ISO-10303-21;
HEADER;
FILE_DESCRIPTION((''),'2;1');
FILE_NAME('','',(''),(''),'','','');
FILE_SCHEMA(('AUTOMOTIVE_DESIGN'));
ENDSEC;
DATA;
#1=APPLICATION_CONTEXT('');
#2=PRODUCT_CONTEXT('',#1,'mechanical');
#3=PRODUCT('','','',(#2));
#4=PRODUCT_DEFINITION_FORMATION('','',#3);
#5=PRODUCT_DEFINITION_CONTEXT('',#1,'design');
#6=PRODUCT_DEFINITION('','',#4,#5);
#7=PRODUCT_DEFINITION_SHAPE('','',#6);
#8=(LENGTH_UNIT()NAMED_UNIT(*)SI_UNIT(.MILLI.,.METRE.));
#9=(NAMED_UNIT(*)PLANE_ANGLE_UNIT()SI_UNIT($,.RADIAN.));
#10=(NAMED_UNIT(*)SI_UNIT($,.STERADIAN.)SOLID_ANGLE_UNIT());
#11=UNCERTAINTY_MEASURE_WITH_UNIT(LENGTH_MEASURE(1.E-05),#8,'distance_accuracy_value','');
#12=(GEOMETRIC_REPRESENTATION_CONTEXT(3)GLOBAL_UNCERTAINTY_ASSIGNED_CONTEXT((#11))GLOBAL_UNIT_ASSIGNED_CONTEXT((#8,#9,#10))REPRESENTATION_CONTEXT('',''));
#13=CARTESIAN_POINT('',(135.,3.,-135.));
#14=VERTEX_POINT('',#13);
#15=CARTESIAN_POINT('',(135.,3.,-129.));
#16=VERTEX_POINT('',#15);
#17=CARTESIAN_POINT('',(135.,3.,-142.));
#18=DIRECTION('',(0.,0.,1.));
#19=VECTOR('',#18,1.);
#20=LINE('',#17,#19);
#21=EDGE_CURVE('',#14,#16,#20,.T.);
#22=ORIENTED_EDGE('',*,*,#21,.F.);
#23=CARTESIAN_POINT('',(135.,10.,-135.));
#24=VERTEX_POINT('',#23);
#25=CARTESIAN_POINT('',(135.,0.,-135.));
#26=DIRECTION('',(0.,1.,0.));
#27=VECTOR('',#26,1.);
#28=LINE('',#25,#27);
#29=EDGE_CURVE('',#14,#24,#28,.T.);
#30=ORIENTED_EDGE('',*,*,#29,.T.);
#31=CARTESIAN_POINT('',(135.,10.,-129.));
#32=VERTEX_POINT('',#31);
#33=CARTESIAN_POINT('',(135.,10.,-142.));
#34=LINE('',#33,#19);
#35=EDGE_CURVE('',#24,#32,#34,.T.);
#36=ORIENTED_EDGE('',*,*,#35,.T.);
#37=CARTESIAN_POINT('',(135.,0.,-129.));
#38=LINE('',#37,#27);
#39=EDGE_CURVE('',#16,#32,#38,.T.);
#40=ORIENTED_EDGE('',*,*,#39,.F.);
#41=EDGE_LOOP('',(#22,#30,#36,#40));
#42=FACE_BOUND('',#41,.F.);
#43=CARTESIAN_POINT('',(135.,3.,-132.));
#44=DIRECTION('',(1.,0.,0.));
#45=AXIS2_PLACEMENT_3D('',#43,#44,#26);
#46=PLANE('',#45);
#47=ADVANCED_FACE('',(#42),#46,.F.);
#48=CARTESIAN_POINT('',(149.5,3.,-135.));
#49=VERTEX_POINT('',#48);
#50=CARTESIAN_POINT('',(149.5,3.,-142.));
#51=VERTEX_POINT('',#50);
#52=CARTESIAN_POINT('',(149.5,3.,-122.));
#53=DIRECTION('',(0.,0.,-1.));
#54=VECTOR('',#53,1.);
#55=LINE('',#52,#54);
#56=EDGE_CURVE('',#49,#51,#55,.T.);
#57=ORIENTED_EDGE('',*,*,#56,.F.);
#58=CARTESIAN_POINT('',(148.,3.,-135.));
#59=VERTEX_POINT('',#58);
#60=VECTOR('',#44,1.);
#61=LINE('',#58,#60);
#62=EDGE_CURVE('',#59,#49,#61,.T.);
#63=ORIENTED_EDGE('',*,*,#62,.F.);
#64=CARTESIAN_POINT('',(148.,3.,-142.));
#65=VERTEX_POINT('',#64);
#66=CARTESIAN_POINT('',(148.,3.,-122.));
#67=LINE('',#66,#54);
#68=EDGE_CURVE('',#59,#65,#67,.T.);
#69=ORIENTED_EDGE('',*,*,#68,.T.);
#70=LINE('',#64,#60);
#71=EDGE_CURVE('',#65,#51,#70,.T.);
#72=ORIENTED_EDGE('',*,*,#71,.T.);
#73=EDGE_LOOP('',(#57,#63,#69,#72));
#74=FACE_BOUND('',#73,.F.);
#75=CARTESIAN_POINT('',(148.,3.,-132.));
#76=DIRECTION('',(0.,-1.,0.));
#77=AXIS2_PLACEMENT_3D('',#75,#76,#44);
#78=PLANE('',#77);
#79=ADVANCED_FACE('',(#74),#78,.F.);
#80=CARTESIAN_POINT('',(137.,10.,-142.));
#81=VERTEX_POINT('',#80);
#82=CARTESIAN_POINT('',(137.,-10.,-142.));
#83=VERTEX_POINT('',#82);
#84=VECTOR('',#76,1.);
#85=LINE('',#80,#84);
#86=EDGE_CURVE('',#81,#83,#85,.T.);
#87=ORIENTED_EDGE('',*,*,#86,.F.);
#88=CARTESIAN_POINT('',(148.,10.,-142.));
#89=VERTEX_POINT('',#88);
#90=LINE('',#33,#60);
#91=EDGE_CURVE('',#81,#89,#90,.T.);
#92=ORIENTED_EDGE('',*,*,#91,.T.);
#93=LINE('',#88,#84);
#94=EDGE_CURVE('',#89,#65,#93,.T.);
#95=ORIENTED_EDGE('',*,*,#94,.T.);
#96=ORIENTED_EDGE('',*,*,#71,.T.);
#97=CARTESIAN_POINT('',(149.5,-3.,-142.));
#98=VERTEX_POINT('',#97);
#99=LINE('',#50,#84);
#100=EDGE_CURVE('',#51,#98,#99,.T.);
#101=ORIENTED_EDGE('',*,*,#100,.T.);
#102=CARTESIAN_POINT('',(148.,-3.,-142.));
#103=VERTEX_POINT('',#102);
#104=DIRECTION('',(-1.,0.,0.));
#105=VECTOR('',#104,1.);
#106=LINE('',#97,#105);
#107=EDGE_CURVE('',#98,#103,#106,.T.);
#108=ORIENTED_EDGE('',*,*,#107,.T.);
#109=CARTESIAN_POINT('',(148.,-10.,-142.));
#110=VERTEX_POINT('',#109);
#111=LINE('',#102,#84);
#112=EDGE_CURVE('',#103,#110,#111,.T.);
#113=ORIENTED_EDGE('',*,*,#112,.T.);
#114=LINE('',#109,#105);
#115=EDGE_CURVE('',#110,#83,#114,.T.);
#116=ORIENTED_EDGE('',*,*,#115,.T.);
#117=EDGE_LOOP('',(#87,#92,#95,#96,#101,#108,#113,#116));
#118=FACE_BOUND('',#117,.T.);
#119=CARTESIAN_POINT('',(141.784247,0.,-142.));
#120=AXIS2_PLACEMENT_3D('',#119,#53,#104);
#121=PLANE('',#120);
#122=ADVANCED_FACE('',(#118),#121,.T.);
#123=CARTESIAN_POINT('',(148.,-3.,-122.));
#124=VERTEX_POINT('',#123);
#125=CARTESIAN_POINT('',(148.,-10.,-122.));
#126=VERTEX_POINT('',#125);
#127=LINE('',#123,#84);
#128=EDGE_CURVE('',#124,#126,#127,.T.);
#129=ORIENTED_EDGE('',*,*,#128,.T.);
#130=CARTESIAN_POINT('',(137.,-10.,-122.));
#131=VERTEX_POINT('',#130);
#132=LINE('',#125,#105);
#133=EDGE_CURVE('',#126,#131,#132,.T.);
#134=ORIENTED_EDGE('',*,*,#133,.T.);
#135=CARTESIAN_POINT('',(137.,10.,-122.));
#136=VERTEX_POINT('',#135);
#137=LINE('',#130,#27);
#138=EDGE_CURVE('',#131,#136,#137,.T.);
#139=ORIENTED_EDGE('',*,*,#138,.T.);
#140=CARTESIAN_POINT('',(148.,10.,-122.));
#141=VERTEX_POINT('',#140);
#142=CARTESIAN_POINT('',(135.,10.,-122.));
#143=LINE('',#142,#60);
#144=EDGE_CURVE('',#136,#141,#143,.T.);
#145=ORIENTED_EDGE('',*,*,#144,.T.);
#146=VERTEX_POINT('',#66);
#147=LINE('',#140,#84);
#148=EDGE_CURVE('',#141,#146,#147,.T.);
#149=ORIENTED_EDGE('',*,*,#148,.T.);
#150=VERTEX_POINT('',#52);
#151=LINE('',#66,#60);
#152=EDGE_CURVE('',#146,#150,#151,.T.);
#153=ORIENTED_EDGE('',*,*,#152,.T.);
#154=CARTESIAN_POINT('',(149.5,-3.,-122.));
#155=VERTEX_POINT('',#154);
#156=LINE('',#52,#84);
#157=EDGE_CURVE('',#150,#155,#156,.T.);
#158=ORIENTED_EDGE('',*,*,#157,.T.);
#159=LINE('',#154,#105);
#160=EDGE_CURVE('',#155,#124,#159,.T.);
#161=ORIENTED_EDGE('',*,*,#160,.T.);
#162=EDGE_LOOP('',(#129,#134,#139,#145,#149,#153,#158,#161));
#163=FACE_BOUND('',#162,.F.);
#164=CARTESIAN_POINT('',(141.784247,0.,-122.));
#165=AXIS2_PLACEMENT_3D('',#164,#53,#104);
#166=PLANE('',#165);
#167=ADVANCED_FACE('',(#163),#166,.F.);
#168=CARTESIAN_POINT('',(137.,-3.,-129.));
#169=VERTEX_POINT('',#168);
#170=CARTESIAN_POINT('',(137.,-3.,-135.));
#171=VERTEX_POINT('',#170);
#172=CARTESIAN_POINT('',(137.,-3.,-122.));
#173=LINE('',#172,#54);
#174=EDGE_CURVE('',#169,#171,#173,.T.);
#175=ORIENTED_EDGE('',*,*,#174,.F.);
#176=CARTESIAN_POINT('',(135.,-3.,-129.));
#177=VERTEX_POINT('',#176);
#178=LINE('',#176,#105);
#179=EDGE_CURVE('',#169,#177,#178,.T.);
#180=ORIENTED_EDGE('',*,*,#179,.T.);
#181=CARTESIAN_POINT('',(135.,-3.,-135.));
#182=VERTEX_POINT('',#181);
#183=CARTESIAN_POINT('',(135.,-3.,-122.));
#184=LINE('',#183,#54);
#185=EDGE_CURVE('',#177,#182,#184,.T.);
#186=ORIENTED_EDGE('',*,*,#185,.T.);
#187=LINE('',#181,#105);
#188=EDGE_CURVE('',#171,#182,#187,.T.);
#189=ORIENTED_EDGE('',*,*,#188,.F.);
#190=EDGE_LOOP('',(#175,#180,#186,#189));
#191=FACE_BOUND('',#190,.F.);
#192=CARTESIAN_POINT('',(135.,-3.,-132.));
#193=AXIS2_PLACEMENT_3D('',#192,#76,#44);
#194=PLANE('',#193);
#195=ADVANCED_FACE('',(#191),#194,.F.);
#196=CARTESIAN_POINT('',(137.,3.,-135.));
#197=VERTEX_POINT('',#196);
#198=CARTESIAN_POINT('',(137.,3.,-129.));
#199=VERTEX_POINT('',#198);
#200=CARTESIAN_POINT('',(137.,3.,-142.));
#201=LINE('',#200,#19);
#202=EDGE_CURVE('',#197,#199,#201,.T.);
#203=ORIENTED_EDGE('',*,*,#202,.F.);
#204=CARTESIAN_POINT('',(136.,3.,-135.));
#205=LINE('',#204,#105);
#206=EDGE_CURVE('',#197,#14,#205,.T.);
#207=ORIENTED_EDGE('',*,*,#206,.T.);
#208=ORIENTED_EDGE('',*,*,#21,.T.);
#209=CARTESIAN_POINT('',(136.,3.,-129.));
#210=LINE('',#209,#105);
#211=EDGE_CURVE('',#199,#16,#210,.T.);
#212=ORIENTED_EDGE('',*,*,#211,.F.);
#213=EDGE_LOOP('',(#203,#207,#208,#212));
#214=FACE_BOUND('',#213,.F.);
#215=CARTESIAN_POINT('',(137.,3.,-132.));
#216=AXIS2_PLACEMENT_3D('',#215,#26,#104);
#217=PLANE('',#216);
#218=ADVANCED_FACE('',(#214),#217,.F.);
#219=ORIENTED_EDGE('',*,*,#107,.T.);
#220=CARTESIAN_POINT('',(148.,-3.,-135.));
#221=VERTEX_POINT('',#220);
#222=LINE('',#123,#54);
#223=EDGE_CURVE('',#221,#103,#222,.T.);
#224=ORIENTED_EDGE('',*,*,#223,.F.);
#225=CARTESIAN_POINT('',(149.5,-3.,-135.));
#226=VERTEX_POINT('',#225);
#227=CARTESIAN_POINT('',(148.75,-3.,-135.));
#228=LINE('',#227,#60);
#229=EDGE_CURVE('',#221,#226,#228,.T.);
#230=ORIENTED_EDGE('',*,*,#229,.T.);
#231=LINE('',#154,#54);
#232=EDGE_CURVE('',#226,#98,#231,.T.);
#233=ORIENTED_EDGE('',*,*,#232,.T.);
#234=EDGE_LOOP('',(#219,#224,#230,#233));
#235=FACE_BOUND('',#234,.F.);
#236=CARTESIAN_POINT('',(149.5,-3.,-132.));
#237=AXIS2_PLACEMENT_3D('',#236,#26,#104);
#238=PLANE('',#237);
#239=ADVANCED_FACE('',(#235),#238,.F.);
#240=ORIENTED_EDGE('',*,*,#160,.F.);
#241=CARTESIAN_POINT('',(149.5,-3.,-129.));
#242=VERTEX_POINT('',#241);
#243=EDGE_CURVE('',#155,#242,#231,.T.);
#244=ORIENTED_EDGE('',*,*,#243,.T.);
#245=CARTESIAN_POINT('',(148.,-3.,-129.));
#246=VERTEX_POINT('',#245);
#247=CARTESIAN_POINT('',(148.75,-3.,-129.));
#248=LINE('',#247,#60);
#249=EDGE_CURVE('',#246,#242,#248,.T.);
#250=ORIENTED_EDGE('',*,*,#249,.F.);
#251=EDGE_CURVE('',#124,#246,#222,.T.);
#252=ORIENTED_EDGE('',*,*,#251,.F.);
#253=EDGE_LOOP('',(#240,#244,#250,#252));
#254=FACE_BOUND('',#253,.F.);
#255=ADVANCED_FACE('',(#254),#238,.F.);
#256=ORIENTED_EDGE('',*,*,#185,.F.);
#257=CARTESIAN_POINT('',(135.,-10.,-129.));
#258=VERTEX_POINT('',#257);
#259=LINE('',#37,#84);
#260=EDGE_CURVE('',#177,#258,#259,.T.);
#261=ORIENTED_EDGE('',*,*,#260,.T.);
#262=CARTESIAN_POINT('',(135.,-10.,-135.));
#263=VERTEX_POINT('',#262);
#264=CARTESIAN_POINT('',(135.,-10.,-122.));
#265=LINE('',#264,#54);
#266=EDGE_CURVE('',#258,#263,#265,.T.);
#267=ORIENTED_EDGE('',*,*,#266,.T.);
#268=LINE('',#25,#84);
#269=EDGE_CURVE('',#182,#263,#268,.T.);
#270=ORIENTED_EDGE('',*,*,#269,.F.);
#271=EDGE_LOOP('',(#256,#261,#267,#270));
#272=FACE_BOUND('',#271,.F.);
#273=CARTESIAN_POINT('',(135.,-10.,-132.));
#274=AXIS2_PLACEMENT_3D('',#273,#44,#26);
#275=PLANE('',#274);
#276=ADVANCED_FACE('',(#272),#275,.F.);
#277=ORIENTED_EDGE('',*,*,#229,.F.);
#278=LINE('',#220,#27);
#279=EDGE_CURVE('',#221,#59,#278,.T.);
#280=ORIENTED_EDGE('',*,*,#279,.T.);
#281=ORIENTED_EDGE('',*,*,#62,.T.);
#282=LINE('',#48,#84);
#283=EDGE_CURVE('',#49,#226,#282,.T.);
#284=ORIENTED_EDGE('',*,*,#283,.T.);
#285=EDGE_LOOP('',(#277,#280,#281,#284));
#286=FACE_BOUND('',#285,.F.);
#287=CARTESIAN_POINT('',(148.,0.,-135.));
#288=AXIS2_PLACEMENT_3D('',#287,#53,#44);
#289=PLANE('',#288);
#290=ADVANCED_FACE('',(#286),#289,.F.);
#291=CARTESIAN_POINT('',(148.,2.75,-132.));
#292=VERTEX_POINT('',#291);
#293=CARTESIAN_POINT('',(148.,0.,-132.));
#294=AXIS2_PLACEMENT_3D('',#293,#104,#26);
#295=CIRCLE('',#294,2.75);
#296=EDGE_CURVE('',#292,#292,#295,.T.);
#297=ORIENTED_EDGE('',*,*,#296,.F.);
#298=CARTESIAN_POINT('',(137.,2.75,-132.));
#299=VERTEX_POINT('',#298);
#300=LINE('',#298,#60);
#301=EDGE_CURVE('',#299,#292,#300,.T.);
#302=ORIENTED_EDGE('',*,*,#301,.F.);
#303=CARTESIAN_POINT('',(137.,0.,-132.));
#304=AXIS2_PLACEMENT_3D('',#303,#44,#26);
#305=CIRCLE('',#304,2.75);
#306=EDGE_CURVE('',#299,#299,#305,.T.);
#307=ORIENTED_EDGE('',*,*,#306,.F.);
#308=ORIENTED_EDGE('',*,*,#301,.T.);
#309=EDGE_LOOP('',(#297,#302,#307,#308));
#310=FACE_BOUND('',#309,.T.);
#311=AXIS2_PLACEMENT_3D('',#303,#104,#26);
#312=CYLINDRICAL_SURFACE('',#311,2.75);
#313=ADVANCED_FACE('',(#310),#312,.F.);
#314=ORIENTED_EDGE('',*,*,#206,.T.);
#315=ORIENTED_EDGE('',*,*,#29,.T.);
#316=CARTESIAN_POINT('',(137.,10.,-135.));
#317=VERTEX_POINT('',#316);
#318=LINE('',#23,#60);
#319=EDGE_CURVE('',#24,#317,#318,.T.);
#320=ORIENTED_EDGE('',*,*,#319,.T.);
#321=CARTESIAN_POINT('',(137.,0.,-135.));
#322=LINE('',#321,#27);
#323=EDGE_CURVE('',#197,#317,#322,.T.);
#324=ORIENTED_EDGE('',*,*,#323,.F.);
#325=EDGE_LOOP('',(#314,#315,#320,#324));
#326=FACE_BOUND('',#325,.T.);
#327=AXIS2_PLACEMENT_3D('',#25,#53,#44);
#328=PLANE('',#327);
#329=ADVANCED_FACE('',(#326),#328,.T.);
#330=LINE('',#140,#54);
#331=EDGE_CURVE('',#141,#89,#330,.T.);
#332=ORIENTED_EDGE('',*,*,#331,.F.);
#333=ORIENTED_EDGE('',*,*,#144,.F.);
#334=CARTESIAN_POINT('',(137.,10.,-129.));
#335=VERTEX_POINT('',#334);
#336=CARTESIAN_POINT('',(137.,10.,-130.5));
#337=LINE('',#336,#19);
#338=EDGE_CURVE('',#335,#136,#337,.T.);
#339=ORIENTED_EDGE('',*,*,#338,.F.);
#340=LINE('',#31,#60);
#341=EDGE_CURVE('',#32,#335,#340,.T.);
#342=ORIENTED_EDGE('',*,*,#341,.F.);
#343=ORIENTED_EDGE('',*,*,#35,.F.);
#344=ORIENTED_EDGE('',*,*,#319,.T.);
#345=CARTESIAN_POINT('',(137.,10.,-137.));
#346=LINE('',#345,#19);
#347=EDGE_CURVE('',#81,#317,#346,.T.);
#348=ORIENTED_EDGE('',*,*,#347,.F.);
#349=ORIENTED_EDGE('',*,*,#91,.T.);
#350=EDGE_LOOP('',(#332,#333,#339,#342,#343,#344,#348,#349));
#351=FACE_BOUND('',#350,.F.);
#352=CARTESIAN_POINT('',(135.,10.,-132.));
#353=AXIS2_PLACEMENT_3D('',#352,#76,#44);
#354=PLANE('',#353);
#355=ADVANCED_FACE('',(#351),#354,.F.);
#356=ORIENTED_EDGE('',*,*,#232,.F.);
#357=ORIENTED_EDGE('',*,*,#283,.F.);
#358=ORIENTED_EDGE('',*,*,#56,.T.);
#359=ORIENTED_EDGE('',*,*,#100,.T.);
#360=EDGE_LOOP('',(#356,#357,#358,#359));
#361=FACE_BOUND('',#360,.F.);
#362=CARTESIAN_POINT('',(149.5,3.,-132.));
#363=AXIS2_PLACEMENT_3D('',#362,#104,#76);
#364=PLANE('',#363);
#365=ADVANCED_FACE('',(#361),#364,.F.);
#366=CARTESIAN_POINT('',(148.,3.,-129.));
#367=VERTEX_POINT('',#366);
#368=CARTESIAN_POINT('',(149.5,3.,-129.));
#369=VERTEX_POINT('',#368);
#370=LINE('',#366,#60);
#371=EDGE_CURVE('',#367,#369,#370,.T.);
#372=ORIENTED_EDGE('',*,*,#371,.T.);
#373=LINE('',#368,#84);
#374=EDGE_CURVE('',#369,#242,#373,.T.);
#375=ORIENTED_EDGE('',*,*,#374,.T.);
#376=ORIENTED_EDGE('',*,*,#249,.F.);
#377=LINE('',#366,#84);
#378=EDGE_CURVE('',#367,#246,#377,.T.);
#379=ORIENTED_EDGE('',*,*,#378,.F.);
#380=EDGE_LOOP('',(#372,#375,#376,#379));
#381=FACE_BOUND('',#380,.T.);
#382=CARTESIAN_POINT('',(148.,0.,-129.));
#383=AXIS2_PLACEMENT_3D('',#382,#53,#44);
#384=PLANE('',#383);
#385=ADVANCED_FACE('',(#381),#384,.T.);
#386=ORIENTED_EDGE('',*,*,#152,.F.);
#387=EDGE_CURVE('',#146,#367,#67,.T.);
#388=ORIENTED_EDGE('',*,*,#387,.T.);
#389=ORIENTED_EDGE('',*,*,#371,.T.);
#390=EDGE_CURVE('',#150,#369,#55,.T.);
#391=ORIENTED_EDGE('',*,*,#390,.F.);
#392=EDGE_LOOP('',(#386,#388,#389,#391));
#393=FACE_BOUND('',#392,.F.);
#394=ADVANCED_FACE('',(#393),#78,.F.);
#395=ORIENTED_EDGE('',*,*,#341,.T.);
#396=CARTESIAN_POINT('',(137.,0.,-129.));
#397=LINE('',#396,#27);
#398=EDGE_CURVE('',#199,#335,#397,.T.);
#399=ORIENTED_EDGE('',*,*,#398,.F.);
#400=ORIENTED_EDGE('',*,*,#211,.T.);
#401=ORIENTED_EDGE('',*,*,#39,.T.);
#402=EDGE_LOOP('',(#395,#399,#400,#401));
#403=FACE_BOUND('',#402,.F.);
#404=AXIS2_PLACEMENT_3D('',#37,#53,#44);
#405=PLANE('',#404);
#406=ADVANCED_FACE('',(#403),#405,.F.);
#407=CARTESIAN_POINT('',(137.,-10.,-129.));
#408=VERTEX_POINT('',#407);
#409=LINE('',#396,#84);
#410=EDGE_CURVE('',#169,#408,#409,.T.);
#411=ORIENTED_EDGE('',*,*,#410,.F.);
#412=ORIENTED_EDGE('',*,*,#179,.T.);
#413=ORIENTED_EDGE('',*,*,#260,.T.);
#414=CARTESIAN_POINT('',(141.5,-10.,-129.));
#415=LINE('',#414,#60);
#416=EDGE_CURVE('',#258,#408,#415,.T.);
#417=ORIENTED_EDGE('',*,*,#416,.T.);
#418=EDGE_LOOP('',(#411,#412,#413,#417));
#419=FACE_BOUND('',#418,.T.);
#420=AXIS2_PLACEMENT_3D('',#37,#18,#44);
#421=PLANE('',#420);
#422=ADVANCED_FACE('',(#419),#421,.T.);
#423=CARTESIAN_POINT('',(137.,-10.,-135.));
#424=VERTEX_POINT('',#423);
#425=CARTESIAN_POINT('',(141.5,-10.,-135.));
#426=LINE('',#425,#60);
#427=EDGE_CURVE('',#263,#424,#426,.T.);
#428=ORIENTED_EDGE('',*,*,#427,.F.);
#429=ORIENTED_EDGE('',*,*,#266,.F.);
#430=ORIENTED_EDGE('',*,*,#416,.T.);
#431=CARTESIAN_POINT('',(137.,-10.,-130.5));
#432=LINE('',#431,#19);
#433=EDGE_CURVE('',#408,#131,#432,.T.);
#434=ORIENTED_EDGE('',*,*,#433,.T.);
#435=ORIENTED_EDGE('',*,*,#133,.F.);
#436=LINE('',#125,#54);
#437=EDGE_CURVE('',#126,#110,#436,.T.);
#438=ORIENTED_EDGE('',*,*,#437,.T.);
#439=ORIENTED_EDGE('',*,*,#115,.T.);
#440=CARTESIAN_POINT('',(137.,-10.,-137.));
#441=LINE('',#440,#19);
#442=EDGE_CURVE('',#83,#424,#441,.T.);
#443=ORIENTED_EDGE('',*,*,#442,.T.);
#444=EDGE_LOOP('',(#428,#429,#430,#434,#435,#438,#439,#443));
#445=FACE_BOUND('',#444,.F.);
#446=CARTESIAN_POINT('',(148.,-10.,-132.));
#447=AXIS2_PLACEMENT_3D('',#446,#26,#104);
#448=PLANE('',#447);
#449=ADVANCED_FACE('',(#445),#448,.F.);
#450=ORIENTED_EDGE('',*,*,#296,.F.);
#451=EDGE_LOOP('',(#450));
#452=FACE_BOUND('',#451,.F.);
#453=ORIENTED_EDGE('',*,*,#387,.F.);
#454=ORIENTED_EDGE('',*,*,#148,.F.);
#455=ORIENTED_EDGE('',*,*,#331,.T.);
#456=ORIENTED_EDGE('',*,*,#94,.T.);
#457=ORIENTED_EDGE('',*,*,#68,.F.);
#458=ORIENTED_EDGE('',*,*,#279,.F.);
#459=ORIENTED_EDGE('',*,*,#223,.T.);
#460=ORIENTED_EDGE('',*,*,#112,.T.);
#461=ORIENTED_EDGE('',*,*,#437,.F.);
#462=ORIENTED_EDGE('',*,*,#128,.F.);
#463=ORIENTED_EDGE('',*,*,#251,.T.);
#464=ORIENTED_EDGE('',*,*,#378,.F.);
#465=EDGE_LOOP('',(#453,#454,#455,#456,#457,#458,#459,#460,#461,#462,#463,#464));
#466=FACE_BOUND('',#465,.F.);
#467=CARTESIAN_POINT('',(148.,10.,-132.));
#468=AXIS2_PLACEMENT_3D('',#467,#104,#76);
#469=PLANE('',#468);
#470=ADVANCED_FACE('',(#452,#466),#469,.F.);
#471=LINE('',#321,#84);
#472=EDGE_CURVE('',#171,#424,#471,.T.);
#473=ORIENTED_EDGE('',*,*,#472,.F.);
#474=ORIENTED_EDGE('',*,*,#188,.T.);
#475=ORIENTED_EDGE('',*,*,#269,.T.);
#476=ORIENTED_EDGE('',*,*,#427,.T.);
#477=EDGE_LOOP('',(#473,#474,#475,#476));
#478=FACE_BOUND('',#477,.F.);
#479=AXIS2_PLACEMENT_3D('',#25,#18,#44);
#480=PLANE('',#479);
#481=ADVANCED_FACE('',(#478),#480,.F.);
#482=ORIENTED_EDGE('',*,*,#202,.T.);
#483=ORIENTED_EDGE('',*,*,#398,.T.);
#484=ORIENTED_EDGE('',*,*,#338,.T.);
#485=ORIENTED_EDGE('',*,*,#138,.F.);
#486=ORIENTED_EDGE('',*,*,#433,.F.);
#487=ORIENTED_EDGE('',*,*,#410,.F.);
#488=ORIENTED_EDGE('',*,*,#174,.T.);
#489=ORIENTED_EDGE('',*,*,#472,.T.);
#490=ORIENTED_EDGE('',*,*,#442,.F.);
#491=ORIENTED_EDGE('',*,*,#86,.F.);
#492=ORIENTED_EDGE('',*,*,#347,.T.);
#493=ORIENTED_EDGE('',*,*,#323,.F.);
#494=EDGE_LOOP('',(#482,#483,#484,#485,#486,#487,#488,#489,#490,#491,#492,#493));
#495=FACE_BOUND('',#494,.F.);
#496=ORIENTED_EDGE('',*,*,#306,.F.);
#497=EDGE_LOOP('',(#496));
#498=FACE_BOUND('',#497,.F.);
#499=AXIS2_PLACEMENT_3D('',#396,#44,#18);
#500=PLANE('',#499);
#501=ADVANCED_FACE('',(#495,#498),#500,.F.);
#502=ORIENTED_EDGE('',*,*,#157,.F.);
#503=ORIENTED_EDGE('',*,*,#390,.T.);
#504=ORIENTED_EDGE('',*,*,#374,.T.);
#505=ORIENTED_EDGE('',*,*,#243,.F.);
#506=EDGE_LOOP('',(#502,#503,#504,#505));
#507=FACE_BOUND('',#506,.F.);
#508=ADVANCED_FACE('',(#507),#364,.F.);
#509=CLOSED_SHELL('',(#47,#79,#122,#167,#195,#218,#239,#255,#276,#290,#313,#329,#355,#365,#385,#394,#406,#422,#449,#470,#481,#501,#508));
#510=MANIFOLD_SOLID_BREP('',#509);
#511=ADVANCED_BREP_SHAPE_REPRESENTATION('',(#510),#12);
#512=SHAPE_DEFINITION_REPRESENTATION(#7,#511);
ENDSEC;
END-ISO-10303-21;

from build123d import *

# Parameters (mm, degrees)
PAD035_DEPTH         = 10
SKETCH097_W          = 2
SKETCH097_H          = 7
SKETCH097_W_2        = 1.5
SKETCH097_H_2        = 6
POCKET055_DEPTH      = 10.001
POCKET055_DEPTH_BACK = 10.001
SKETCH098_R          = 2.75
POCKET056_DEPTH      = 2.001
POCKET056_DEPTH_BACK = 12.501


with BuildPart() as part:
    # Sketch096 → Pad035 (new body, symmetric)
    with BuildSketch(Plane.XY):
        Polygon((-2, 10), (11, 10), (11, 3), (12.5, 3), (12.5, -3), (11, -3), (11, -10), (-2, -10), (-2, -3), (0, -3), (0, 3), (-2, 3), align=None)
    extrude(amount=PAD035_DEPTH, both=True)

    # Sketch097 → Pocket055 (cut, two sides)
    with BuildSketch(Plane.XZ) as pocket055_sk:
        with Locations((-1, -6.5)):
            Rectangle(SKETCH097_W, SKETCH097_H)
        with Locations((-1, 6.5)):
            Rectangle(SKETCH097_W, SKETCH097_H)
        with Locations((11.75, 0)):
            Rectangle(SKETCH097_W_2, SKETCH097_H_2)
    extrude(amount=-POCKET055_DEPTH, mode=Mode.SUBTRACT)
    extrude(pocket055_sk.sketch, amount=POCKET055_DEPTH_BACK, mode=Mode.SUBTRACT)

    # Sketch098 → Pocket056 (cut, two sides)
    with BuildSketch(Plane.YZ) as pocket056_sk:
        Circle(SKETCH098_R)
    extrude(amount=-POCKET056_DEPTH, mode=Mode.SUBTRACT)
    extrude(pocket056_sk.sketch, amount=POCKET056_DEPTH_BACK, mode=Mode.SUBTRACT)


with BuildPart() as part_1:
    # Body022016 placement: moved
    add(part.part.moved(Location((137, 0, -132))))


solid = part_1.part
